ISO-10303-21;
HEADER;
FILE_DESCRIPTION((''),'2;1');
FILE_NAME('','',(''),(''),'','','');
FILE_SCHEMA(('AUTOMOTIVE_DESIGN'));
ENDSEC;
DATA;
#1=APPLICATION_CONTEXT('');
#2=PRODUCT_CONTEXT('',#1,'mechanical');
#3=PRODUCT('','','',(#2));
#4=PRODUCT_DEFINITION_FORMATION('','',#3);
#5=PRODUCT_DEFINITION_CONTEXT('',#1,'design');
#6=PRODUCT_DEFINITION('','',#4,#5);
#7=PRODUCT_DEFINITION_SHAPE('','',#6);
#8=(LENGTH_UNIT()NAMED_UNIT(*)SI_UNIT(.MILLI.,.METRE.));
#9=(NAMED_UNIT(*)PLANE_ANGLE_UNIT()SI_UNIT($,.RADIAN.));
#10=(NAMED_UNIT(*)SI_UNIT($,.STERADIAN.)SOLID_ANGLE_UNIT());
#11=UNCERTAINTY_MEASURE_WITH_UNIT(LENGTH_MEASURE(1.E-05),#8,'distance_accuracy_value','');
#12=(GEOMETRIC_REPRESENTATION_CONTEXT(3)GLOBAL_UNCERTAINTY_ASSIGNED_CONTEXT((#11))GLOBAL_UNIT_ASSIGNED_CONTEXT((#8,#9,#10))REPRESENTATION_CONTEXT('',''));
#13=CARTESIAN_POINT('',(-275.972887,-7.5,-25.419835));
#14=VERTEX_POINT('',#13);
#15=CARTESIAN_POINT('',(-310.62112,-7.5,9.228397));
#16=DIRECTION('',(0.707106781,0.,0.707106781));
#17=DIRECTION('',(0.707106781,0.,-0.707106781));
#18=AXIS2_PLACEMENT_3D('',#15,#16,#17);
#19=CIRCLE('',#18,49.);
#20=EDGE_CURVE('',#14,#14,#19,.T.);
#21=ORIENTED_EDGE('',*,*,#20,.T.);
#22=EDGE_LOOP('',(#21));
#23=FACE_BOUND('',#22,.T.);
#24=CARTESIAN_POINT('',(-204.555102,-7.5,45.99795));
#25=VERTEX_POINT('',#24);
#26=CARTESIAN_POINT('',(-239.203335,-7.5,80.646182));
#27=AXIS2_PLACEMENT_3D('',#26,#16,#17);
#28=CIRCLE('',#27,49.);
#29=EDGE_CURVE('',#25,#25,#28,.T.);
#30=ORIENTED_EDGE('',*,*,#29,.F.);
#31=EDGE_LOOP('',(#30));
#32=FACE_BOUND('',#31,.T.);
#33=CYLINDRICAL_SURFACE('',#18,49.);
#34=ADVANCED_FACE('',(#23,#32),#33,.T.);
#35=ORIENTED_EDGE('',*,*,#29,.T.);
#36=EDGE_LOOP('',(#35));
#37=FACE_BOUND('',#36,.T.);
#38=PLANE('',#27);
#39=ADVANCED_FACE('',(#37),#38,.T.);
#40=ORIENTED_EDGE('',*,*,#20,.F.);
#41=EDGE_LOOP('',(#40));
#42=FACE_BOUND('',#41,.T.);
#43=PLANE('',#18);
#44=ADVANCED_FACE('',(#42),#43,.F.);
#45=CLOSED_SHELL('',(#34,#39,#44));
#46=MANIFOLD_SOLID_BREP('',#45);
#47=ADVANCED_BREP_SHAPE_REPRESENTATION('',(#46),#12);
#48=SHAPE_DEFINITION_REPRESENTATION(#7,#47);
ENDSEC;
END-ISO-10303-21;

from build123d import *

# Parameters (mm, degrees)
SKETCH1_R           = 49
BOSS_EXTRUDE1_DEPTH = 101


with BuildPart() as part:
    # Sketch1 → Boss-Extrude1 (new body)
    with BuildSketch(Plane(origin=(-79.278576275, 0, -79.278576275), x_dir=(0.707106781, 0, -0.707106781), z_dir=(0.707106781, 0, 0.707106781))):
        with Locations((-226.167762387, -7.5)):
            Circle(SKETCH1_R)
    extrude(amount=-BOSS_EXTRUDE1_DEPTH)


solid = part.part
